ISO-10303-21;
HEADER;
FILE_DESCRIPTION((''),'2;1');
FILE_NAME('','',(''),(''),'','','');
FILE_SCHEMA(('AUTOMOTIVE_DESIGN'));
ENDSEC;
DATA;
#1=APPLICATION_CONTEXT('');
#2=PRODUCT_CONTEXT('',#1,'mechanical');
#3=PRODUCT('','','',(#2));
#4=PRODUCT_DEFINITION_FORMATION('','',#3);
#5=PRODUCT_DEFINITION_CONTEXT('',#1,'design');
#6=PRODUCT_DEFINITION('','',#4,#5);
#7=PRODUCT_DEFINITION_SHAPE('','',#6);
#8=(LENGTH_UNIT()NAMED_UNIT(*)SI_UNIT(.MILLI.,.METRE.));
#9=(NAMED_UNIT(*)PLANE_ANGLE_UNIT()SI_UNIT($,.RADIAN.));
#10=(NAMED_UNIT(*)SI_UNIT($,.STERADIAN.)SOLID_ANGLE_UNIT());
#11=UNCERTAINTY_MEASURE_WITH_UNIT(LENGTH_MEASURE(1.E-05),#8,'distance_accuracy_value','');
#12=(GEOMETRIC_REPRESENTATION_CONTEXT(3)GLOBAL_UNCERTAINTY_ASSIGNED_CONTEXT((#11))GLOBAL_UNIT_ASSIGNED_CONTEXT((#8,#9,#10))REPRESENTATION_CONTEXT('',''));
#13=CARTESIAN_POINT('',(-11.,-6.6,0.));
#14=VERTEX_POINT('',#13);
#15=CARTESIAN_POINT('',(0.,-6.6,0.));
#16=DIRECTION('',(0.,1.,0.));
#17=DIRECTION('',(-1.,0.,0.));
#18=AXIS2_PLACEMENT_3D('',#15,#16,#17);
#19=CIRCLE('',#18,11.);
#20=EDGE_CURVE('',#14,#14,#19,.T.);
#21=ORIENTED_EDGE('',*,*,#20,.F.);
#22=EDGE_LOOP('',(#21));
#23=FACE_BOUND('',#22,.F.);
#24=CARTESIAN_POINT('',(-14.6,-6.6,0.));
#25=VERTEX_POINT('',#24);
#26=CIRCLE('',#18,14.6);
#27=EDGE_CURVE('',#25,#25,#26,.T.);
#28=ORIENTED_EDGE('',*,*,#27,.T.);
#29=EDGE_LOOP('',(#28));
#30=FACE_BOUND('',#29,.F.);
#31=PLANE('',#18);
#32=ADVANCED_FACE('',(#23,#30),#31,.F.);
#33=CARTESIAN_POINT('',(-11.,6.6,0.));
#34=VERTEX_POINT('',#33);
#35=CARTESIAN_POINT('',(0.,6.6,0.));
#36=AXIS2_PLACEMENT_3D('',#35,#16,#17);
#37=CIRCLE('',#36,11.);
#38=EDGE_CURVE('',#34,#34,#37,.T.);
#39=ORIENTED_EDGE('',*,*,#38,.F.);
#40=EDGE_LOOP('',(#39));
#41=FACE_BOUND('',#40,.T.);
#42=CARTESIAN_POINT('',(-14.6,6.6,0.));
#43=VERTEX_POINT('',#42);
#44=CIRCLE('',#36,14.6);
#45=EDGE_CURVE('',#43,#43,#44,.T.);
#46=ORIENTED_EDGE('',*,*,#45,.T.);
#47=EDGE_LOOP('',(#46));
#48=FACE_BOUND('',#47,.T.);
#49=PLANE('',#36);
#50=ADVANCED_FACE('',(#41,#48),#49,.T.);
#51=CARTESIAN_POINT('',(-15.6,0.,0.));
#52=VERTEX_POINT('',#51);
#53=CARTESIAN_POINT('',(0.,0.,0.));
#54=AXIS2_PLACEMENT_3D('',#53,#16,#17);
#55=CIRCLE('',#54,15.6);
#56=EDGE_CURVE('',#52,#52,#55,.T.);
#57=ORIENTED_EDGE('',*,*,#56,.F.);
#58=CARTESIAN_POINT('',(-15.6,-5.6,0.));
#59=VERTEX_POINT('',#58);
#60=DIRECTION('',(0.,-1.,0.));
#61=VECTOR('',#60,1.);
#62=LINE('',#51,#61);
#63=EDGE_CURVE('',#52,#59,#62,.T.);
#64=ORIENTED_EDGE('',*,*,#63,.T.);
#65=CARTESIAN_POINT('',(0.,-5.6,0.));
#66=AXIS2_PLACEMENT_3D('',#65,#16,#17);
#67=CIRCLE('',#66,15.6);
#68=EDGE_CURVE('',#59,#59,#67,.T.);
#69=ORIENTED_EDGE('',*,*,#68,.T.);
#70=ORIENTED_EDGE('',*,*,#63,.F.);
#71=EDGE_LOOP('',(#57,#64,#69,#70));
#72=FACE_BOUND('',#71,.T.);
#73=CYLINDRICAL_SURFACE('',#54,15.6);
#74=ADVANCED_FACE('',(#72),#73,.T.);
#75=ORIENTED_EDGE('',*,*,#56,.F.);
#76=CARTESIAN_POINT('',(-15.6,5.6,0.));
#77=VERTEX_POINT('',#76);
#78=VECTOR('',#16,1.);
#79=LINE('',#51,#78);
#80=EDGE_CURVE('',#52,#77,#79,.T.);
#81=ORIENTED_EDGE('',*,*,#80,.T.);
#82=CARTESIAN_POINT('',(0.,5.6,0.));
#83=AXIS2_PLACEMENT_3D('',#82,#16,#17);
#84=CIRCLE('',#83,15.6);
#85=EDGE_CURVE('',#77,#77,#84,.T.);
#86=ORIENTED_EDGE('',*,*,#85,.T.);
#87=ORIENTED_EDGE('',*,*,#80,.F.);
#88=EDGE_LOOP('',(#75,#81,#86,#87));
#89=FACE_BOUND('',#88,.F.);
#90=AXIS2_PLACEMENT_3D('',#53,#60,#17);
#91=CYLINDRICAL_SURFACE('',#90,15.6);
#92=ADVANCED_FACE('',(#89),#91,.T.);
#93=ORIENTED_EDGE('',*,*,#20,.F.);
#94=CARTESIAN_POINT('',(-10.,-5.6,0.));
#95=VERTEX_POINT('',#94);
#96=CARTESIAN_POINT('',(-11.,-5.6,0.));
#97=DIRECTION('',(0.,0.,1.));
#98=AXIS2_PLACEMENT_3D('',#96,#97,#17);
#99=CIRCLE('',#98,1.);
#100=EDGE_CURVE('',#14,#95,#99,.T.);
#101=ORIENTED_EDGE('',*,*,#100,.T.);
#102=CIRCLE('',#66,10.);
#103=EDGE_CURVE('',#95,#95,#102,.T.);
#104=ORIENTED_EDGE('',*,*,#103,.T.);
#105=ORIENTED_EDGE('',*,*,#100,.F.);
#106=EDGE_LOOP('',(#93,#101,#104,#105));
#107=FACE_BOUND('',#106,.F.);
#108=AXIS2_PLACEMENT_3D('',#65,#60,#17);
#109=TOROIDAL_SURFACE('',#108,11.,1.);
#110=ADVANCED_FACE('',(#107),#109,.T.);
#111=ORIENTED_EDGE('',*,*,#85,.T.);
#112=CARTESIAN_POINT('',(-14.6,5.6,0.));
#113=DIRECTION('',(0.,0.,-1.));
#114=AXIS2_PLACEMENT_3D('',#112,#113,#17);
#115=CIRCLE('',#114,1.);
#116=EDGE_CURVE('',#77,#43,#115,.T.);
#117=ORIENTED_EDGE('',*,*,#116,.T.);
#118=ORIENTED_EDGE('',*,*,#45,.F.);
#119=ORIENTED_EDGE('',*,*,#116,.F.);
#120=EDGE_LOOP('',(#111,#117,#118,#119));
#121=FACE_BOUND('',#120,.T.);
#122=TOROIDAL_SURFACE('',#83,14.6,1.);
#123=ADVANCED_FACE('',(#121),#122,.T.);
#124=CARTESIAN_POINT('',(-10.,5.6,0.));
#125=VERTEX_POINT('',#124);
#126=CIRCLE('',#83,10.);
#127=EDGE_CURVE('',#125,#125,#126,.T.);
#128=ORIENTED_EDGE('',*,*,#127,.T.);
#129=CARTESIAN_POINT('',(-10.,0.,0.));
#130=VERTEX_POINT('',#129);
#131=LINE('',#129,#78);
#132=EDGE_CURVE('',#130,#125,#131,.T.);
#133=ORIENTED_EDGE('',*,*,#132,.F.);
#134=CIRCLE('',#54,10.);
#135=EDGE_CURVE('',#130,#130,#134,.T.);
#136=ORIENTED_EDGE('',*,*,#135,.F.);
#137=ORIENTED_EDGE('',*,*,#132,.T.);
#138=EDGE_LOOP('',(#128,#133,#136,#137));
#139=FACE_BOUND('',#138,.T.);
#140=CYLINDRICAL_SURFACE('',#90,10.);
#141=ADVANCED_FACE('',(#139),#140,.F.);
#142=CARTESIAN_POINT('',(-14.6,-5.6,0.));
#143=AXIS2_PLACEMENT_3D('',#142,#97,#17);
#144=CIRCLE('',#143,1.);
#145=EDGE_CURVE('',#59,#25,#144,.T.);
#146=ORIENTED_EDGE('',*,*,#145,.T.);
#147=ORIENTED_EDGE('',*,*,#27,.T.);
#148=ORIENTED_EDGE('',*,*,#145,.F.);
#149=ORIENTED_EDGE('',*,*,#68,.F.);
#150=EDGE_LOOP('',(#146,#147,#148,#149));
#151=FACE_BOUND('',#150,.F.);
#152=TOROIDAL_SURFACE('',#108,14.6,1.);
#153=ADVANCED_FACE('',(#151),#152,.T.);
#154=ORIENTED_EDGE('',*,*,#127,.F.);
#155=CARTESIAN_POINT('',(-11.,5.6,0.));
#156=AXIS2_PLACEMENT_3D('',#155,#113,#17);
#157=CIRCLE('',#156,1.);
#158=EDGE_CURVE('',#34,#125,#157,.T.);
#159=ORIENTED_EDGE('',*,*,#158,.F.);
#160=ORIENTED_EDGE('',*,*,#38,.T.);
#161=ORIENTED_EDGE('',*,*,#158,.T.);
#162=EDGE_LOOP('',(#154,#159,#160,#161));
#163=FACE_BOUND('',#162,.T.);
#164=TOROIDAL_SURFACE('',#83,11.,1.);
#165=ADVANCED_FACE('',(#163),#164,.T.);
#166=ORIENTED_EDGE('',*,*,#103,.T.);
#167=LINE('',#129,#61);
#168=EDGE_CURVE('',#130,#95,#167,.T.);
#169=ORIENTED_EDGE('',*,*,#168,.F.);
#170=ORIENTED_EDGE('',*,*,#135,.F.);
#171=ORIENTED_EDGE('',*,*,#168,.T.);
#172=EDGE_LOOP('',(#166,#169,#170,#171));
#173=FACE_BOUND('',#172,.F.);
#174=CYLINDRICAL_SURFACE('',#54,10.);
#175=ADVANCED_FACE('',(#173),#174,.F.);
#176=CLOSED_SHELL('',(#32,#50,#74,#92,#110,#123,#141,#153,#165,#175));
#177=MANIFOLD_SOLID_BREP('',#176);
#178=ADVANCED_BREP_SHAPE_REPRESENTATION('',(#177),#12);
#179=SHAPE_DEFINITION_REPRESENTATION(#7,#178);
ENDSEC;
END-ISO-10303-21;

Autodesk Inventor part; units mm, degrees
ref_plane "YZ Plane" through (0, 0, 0) normal (1, 0, 0) x (0, 1, 0)
ref_plane "XZ Plane" through (0, 0, 0) normal (0, 1, 0) x (-1, 0, 0)
ref_plane "XY Plane" through (0, 0, 0) normal (0, 0, 1) x (1, 0, 0)
sketch "Sketch1" plane through (0, 0, 0) normal (0, 1, 0) x (-1, 0, 0)
  circle A0 centre (0, 0) radius 15.6
  circle A1 centre (0, 0) radius 10
  dimension "d0" = 31.2
  dimension "d1" = 20
extrude "Extrusion1" add sketch "Sketch1" along normal mid plane 13.2
fillet "Fillet1" radius 1 2 edges at (15.6, 6.6, 0) (15.6, -6.6, 0)
fillet "Fillet2" radius 1 2 edges at (10, 6.6, 0) (10, -6.6, 0)
properties part number "Opona"
